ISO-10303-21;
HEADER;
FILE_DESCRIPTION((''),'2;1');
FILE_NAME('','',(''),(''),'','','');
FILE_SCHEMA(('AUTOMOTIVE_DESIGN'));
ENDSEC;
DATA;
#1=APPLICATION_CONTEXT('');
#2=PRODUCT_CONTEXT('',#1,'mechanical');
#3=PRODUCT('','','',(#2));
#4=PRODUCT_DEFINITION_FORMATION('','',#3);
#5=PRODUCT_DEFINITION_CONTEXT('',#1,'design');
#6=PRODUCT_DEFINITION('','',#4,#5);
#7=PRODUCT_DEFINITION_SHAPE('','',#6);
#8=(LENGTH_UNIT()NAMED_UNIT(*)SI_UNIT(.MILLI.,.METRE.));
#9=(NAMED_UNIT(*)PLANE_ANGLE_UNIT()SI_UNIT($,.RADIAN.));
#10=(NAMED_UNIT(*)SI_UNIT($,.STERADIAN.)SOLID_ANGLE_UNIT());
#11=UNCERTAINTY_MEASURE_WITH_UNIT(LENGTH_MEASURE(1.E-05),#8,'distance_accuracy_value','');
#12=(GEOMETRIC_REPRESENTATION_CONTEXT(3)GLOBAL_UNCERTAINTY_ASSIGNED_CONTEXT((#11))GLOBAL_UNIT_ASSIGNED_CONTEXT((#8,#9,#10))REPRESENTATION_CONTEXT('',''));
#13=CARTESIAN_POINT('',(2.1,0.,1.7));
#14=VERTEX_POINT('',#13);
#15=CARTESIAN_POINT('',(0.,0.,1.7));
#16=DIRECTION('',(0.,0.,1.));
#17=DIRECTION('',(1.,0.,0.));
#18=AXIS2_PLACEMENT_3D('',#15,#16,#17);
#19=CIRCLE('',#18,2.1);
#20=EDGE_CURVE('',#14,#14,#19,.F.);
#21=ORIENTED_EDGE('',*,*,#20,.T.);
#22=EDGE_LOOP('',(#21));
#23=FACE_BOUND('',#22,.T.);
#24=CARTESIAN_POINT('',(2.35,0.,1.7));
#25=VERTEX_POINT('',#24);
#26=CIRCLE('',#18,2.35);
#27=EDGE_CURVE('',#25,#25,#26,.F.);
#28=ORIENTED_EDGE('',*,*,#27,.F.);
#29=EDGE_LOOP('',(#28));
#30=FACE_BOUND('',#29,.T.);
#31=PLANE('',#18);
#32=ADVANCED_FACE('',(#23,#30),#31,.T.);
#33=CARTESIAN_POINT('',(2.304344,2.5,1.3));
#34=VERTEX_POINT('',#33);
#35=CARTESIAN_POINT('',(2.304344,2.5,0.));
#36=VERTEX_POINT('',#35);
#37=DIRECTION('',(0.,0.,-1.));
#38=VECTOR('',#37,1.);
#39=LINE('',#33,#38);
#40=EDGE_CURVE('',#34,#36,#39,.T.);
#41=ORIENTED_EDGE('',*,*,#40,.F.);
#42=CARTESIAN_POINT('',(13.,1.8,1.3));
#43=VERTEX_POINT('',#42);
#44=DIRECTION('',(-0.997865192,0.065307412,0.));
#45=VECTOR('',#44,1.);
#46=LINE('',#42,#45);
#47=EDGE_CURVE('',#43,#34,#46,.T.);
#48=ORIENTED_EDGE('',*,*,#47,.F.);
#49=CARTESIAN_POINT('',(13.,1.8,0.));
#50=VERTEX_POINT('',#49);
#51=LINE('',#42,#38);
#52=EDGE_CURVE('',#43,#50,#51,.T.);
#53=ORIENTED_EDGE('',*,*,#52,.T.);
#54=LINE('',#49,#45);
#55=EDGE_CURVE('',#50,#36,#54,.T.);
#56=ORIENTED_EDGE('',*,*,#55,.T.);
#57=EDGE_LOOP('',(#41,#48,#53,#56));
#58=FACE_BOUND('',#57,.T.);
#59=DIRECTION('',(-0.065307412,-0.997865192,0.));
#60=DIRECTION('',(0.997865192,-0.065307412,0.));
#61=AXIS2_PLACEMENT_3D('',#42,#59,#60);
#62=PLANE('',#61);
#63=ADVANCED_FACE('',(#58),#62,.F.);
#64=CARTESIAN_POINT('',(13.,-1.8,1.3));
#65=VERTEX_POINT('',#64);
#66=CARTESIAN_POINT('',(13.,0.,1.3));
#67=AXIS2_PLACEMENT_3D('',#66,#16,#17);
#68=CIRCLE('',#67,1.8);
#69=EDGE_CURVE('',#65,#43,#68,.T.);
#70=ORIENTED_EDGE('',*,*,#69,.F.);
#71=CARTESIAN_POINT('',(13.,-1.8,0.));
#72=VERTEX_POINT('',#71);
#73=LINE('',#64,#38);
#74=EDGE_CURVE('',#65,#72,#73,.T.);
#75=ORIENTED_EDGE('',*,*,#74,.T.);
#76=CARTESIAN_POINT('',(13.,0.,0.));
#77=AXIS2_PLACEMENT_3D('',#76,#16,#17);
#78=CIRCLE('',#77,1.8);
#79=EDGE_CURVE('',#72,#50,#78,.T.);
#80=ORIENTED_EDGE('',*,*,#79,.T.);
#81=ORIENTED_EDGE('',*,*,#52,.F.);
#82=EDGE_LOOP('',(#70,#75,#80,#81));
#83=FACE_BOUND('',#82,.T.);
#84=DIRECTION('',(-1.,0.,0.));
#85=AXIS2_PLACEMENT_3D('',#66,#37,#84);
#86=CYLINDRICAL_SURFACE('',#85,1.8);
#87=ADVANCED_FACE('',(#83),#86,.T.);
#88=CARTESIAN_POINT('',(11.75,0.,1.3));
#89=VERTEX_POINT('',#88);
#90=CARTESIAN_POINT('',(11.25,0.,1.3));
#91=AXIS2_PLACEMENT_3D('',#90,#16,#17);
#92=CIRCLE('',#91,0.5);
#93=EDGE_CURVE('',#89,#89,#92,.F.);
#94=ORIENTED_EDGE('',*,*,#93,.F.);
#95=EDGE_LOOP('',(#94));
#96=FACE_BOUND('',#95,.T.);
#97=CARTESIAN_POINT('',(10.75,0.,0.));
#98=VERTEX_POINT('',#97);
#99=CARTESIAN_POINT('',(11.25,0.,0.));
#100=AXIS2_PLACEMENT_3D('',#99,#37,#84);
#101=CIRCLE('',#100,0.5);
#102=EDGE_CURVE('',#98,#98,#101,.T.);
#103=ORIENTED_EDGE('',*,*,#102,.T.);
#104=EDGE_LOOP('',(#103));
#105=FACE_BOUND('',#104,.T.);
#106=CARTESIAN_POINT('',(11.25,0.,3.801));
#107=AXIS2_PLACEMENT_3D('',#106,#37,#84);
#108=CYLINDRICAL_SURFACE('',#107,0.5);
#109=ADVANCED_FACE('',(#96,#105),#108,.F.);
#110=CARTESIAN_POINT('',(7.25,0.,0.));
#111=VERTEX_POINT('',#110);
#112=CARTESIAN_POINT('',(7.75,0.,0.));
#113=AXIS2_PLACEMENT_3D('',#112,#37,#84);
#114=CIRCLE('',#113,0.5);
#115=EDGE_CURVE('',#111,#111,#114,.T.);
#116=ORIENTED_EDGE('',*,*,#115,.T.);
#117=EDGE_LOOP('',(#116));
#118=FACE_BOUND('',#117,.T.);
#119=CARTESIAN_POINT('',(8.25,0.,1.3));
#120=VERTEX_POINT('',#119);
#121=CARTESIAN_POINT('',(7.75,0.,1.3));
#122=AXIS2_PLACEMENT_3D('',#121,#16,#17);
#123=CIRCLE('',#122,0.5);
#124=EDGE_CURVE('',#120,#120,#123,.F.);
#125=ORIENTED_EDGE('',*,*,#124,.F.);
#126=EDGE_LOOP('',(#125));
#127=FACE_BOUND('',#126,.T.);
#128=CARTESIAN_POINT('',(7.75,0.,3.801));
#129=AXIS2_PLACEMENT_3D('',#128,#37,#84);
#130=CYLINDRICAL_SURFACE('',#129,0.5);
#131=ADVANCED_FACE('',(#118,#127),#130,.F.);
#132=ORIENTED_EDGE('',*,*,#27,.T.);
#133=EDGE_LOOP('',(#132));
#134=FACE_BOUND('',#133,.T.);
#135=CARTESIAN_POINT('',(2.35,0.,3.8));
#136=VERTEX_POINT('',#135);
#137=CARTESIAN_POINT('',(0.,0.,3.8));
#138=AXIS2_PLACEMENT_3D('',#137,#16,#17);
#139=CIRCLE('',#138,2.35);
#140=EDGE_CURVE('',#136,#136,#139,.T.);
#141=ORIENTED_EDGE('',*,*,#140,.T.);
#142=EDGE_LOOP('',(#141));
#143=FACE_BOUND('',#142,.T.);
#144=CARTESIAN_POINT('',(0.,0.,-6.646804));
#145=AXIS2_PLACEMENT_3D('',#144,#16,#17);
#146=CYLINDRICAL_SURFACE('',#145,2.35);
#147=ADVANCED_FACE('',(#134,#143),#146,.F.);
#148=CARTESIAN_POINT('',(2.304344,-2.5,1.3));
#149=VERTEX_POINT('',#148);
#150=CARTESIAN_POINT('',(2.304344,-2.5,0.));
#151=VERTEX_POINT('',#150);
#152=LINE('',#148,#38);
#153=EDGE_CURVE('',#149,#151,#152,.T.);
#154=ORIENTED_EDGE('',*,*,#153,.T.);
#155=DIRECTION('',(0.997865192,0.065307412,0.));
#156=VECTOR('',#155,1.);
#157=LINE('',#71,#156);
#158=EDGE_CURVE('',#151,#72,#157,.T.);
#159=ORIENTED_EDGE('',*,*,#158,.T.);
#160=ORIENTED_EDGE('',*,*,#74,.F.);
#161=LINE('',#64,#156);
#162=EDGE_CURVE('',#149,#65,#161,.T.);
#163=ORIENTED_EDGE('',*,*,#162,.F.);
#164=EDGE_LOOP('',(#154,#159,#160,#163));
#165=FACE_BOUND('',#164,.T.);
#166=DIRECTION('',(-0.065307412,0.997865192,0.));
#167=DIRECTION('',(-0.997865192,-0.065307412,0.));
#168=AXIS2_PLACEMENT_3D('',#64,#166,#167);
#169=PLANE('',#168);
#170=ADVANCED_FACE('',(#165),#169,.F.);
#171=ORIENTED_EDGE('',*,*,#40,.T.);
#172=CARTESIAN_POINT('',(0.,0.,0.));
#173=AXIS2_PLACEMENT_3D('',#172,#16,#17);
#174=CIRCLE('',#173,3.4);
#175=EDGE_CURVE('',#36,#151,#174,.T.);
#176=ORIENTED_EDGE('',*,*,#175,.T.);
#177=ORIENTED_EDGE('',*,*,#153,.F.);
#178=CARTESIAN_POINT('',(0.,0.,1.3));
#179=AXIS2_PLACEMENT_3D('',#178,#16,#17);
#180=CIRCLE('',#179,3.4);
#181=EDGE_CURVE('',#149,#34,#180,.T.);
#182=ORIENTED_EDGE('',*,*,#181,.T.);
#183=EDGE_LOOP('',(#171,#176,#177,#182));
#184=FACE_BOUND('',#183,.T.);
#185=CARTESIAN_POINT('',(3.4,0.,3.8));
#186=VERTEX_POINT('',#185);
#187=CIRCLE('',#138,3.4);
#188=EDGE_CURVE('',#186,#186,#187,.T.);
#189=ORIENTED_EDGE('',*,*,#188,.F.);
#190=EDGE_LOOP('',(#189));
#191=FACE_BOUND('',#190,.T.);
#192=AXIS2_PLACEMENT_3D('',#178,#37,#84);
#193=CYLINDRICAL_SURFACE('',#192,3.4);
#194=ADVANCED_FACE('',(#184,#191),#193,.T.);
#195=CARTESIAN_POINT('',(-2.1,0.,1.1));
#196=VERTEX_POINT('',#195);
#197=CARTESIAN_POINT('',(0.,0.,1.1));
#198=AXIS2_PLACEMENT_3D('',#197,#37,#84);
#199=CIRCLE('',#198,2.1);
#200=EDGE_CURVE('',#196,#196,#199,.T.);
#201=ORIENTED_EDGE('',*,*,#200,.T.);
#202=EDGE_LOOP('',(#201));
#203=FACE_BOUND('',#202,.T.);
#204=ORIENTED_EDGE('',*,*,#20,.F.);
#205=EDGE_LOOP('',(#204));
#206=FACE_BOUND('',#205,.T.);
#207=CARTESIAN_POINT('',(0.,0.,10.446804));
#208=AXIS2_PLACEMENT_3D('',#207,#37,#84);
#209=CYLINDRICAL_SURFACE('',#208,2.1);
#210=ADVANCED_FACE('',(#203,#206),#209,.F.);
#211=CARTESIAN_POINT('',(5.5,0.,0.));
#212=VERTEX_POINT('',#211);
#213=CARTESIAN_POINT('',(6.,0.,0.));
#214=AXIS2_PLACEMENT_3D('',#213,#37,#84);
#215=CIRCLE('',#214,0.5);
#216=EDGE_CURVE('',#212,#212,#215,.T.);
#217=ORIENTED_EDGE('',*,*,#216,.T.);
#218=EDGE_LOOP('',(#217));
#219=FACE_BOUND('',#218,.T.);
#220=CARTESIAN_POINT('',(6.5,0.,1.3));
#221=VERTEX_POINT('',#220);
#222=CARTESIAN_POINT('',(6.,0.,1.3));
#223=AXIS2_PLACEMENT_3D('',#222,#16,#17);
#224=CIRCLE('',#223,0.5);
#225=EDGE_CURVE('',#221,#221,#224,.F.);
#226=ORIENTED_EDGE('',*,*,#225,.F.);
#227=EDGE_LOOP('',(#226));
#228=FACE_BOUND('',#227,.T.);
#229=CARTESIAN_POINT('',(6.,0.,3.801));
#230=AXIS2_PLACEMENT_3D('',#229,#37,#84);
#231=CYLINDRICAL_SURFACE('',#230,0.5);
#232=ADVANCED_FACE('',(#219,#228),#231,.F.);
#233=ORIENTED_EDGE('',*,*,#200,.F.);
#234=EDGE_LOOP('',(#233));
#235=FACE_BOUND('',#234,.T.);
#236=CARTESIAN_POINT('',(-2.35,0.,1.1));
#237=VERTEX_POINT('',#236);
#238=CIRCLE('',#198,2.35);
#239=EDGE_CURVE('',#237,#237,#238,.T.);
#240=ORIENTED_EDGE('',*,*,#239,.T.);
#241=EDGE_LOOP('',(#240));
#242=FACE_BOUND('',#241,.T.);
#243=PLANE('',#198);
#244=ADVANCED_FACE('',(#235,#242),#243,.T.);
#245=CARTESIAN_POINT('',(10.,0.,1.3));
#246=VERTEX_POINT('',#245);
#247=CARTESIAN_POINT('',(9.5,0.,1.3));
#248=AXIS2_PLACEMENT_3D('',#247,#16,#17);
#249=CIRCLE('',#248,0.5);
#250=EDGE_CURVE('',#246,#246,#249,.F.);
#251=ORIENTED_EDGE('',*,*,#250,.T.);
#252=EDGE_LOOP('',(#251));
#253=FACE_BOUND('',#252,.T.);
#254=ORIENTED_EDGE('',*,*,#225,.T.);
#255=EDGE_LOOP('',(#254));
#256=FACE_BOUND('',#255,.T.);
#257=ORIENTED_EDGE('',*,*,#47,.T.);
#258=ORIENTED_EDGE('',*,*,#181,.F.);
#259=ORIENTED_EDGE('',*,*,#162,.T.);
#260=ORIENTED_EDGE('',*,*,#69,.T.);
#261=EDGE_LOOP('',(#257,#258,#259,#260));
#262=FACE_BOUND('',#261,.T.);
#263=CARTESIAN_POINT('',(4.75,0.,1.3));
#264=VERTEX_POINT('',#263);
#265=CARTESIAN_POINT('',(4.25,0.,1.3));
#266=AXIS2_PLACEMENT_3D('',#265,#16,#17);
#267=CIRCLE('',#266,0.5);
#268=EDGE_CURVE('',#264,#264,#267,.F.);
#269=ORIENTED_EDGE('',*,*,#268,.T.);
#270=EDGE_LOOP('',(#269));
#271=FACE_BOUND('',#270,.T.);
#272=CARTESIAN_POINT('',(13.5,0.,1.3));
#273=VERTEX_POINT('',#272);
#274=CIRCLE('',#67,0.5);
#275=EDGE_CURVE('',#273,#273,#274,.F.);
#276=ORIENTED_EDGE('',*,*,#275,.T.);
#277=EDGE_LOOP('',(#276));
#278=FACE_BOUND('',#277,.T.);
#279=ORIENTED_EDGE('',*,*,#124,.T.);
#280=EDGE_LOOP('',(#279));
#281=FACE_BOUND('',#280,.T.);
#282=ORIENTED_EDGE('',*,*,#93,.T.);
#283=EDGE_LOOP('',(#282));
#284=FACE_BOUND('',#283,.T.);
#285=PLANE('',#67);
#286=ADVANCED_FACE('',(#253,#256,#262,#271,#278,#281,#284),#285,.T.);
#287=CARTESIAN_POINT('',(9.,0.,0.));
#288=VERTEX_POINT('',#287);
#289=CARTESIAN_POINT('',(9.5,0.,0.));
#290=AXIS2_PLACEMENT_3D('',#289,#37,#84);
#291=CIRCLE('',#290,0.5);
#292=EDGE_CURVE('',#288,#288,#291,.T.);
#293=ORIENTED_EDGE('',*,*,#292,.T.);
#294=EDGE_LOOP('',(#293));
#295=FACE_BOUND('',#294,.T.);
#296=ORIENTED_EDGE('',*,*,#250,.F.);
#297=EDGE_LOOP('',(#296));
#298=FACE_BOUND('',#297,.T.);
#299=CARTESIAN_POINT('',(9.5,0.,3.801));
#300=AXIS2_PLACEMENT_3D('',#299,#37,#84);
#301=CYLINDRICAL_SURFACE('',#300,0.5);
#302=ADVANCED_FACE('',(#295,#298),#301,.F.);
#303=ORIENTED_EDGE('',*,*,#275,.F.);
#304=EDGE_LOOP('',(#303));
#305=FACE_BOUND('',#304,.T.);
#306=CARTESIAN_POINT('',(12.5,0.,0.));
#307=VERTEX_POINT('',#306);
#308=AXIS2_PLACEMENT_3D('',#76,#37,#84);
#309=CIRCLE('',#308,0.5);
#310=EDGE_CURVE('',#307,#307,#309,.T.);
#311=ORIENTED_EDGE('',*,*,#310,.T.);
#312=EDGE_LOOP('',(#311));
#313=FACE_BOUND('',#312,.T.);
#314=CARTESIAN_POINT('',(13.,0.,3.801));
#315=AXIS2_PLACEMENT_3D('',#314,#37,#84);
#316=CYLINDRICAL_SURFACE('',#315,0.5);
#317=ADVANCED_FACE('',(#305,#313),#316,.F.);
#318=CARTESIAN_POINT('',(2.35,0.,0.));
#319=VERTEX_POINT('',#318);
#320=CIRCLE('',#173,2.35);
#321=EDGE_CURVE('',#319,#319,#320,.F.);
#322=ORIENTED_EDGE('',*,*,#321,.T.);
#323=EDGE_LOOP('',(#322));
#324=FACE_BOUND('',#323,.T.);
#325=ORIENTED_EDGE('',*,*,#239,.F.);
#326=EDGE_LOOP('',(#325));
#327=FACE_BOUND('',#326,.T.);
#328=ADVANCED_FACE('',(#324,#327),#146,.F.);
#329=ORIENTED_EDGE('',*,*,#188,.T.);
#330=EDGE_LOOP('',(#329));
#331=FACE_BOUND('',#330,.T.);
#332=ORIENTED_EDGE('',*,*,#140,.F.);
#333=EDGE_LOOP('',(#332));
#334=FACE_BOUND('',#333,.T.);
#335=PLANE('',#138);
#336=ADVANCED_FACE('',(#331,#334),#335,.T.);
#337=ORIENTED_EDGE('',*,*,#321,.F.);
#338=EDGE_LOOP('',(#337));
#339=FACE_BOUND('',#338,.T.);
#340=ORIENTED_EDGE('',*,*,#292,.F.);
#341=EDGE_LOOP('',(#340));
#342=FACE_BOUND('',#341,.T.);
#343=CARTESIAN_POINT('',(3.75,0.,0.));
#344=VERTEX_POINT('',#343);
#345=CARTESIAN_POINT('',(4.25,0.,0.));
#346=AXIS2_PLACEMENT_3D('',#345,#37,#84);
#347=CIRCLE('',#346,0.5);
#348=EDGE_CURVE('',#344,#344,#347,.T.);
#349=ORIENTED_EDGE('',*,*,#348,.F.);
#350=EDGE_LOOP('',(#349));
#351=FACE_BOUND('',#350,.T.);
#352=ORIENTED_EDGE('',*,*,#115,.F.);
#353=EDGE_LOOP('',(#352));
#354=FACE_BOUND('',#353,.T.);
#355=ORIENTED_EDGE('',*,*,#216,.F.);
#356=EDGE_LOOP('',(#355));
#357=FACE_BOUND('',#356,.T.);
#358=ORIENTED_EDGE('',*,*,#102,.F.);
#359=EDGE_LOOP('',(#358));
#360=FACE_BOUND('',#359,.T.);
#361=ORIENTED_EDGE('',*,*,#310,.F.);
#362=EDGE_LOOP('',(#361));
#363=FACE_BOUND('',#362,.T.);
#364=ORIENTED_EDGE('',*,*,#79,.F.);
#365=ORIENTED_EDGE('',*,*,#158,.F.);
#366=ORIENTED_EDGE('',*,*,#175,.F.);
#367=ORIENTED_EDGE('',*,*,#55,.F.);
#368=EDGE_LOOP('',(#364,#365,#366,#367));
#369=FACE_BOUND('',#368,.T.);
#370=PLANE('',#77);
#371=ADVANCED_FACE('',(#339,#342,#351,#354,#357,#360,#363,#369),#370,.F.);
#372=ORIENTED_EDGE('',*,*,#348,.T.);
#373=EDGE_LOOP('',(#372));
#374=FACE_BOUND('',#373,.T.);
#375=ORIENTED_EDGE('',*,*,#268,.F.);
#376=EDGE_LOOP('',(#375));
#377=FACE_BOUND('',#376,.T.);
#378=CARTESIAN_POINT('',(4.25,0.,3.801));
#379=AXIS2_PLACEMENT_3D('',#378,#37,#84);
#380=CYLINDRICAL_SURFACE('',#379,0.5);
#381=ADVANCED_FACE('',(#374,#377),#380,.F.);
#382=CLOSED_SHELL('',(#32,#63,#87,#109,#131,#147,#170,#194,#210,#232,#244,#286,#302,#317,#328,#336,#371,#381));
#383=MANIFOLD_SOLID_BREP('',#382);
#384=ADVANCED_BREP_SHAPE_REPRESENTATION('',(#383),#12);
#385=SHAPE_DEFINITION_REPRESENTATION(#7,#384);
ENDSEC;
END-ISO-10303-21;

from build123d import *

# Parameters (mm, degrees)
BOSS_EXTRUDE1_DEPTH = 1.3
SKETCH2_R           = 2.35
CUT_EXTRUDE1_DEPTH  = 1.3
SKETCH3_R           = 3.4
SKETCH3_R_2         = 2.35
BOSS_EXTRUDE2_DEPTH = 2.5
BOSS_EXTRUDE3_START = -1.1
SKETCH4_R           = 2.35
SKETCH4_R_2         = 2.1
BOSS_EXTRUDE3_DEPTH = 0.6
CUT_EXTRUDE3_REACH  = 5.8
SKETCH5_R           = 0.5


with BuildPart() as part:
    # Sketch1 → Boss-Extrude1 (new body)
    with BuildSketch(Plane.XY):
        with BuildLine():
            Line((13, 1.8), (2.304343724, 2.5))
            ThreePointArc((2.304343724, 2.5), (-3.4, 0), (2.304343724, -2.5))
            Line((2.304343724, -2.5), (13, -1.8))
            ThreePointArc((13, -1.8), (14.8, 0), (13, 1.8))
        make_face()
    extrude(amount=BOSS_EXTRUDE1_DEPTH)

    # Sketch2 → Cut-Extrude1 (cut)
    with BuildSketch(Plane.XY.offset(1.3)):
        Circle(SKETCH2_R)
    extrude(amount=-CUT_EXTRUDE1_DEPTH, mode=Mode.SUBTRACT)

    # Sketch3 → Boss-Extrude2 (add)
    with BuildSketch(Plane.XY.offset(1.3)):
        Circle(SKETCH3_R)
        Circle(SKETCH3_R_2, mode=Mode.SUBTRACT)
    extrude(amount=BOSS_EXTRUDE2_DEPTH)

    # Sketch4 → Boss-Extrude3 (add)
    with BuildSketch(Plane(origin=(0, 0, 0), x_dir=(-1, 0, 0), z_dir=(0, 0, -1)).offset(BOSS_EXTRUDE3_START)):
        Circle(SKETCH4_R)
        Circle(SKETCH4_R_2, mode=Mode.SUBTRACT)
    extrude(amount=-BOSS_EXTRUDE3_DEPTH)

    # Sketch5 → Cut-Extrude3 (cut, up to next)
    with BuildSketch(Plane(origin=(0, 0, 0), x_dir=(-1, 0, 0), z_dir=(0, 0, -1)), mode=Mode.PRIVATE) as cut_extrude3_sk1:
        with Locations((-13, 0)):
            Circle(SKETCH5_R)
    cut_extrude3_tool1 = extrude(cut_extrude3_sk1.sketch, amount=-CUT_EXTRUDE3_REACH, mode=Mode.PRIVATE) & part.part
    add(cut_extrude3_tool1.solids().sort_by_distance((13, 0, 0))[0], mode=Mode.SUBTRACT)
    # Sketch5 → Cut-Extrude3 (cut, up to next)
    with BuildSketch(Plane(origin=(0, 0, 0), x_dir=(-1, 0, 0), z_dir=(0, 0, -1)), mode=Mode.PRIVATE) as cut_extrude3_sk2:
        with Locations((-11.25, 0)):
            Circle(SKETCH5_R)
    cut_extrude3_tool2 = extrude(cut_extrude3_sk2.sketch, amount=-CUT_EXTRUDE3_REACH, mode=Mode.PRIVATE) & part.part
    add(cut_extrude3_tool2.solids().sort_by_distance((11.25, 0, 0))[0], mode=Mode.SUBTRACT)
    # Sketch5 → Cut-Extrude3 (cut, up to next)
    with BuildSketch(Plane(origin=(0, 0, 0), x_dir=(-1, 0, 0), z_dir=(0, 0, -1)), mode=Mode.PRIVATE) as cut_extrude3_sk3:
        with Locations((-9.5, 0)):
            Circle(SKETCH5_R)
    cut_extrude3_tool3 = extrude(cut_extrude3_sk3.sketch, amount=-CUT_EXTRUDE3_REACH, mode=Mode.PRIVATE) & part.part
    add(cut_extrude3_tool3.solids().sort_by_distance((9.5, 0, 0))[0], mode=Mode.SUBTRACT)
    # Sketch5 → Cut-Extrude3 (cut, up to next)
    with BuildSketch(Plane(origin=(0, 0, 0), x_dir=(-1, 0, 0), z_dir=(0, 0, -1)), mode=Mode.PRIVATE) as cut_extrude3_sk4:
        with Locations((-7.75, 0)):
            Circle(SKETCH5_R)
    cut_extrude3_tool4 = extrude(cut_extrude3_sk4.sketch, amount=-CUT_EXTRUDE3_REACH, mode=Mode.PRIVATE) & part.part
    add(cut_extrude3_tool4.solids().sort_by_distance((7.75, 0, 0))[0], mode=Mode.SUBTRACT)
    # Sketch5 → Cut-Extrude3 (cut, up to next)
    with BuildSketch(Plane(origin=(0, 0, 0), x_dir=(-1, 0, 0), z_dir=(0, 0, -1)), mode=Mode.PRIVATE) as cut_extrude3_sk5:
        with Locations((-6, 0)):
            Circle(SKETCH5_R)
    cut_extrude3_tool5 = extrude(cut_extrude3_sk5.sketch, amount=-CUT_EXTRUDE3_REACH, mode=Mode.PRIVATE) & part.part
    add(cut_extrude3_tool5.solids().sort_by_distance((6, 0, 0))[0], mode=Mode.SUBTRACT)
    # Sketch5 → Cut-Extrude3 (cut, up to next)
    with BuildSketch(Plane(origin=(0, 0, 0), x_dir=(-1, 0, 0), z_dir=(0, 0, -1)), mode=Mode.PRIVATE) as cut_extrude3_sk6:
        with Locations((-4.25, 0)):
            Circle(SKETCH5_R)
    cut_extrude3_tool6 = extrude(cut_extrude3_sk6.sketch, amount=-CUT_EXTRUDE3_REACH, mode=Mode.PRIVATE) & part.part
    add(cut_extrude3_tool6.solids().sort_by_distance((4.25, 0, 0))[0], mode=Mode.SUBTRACT)


solid = part.part
